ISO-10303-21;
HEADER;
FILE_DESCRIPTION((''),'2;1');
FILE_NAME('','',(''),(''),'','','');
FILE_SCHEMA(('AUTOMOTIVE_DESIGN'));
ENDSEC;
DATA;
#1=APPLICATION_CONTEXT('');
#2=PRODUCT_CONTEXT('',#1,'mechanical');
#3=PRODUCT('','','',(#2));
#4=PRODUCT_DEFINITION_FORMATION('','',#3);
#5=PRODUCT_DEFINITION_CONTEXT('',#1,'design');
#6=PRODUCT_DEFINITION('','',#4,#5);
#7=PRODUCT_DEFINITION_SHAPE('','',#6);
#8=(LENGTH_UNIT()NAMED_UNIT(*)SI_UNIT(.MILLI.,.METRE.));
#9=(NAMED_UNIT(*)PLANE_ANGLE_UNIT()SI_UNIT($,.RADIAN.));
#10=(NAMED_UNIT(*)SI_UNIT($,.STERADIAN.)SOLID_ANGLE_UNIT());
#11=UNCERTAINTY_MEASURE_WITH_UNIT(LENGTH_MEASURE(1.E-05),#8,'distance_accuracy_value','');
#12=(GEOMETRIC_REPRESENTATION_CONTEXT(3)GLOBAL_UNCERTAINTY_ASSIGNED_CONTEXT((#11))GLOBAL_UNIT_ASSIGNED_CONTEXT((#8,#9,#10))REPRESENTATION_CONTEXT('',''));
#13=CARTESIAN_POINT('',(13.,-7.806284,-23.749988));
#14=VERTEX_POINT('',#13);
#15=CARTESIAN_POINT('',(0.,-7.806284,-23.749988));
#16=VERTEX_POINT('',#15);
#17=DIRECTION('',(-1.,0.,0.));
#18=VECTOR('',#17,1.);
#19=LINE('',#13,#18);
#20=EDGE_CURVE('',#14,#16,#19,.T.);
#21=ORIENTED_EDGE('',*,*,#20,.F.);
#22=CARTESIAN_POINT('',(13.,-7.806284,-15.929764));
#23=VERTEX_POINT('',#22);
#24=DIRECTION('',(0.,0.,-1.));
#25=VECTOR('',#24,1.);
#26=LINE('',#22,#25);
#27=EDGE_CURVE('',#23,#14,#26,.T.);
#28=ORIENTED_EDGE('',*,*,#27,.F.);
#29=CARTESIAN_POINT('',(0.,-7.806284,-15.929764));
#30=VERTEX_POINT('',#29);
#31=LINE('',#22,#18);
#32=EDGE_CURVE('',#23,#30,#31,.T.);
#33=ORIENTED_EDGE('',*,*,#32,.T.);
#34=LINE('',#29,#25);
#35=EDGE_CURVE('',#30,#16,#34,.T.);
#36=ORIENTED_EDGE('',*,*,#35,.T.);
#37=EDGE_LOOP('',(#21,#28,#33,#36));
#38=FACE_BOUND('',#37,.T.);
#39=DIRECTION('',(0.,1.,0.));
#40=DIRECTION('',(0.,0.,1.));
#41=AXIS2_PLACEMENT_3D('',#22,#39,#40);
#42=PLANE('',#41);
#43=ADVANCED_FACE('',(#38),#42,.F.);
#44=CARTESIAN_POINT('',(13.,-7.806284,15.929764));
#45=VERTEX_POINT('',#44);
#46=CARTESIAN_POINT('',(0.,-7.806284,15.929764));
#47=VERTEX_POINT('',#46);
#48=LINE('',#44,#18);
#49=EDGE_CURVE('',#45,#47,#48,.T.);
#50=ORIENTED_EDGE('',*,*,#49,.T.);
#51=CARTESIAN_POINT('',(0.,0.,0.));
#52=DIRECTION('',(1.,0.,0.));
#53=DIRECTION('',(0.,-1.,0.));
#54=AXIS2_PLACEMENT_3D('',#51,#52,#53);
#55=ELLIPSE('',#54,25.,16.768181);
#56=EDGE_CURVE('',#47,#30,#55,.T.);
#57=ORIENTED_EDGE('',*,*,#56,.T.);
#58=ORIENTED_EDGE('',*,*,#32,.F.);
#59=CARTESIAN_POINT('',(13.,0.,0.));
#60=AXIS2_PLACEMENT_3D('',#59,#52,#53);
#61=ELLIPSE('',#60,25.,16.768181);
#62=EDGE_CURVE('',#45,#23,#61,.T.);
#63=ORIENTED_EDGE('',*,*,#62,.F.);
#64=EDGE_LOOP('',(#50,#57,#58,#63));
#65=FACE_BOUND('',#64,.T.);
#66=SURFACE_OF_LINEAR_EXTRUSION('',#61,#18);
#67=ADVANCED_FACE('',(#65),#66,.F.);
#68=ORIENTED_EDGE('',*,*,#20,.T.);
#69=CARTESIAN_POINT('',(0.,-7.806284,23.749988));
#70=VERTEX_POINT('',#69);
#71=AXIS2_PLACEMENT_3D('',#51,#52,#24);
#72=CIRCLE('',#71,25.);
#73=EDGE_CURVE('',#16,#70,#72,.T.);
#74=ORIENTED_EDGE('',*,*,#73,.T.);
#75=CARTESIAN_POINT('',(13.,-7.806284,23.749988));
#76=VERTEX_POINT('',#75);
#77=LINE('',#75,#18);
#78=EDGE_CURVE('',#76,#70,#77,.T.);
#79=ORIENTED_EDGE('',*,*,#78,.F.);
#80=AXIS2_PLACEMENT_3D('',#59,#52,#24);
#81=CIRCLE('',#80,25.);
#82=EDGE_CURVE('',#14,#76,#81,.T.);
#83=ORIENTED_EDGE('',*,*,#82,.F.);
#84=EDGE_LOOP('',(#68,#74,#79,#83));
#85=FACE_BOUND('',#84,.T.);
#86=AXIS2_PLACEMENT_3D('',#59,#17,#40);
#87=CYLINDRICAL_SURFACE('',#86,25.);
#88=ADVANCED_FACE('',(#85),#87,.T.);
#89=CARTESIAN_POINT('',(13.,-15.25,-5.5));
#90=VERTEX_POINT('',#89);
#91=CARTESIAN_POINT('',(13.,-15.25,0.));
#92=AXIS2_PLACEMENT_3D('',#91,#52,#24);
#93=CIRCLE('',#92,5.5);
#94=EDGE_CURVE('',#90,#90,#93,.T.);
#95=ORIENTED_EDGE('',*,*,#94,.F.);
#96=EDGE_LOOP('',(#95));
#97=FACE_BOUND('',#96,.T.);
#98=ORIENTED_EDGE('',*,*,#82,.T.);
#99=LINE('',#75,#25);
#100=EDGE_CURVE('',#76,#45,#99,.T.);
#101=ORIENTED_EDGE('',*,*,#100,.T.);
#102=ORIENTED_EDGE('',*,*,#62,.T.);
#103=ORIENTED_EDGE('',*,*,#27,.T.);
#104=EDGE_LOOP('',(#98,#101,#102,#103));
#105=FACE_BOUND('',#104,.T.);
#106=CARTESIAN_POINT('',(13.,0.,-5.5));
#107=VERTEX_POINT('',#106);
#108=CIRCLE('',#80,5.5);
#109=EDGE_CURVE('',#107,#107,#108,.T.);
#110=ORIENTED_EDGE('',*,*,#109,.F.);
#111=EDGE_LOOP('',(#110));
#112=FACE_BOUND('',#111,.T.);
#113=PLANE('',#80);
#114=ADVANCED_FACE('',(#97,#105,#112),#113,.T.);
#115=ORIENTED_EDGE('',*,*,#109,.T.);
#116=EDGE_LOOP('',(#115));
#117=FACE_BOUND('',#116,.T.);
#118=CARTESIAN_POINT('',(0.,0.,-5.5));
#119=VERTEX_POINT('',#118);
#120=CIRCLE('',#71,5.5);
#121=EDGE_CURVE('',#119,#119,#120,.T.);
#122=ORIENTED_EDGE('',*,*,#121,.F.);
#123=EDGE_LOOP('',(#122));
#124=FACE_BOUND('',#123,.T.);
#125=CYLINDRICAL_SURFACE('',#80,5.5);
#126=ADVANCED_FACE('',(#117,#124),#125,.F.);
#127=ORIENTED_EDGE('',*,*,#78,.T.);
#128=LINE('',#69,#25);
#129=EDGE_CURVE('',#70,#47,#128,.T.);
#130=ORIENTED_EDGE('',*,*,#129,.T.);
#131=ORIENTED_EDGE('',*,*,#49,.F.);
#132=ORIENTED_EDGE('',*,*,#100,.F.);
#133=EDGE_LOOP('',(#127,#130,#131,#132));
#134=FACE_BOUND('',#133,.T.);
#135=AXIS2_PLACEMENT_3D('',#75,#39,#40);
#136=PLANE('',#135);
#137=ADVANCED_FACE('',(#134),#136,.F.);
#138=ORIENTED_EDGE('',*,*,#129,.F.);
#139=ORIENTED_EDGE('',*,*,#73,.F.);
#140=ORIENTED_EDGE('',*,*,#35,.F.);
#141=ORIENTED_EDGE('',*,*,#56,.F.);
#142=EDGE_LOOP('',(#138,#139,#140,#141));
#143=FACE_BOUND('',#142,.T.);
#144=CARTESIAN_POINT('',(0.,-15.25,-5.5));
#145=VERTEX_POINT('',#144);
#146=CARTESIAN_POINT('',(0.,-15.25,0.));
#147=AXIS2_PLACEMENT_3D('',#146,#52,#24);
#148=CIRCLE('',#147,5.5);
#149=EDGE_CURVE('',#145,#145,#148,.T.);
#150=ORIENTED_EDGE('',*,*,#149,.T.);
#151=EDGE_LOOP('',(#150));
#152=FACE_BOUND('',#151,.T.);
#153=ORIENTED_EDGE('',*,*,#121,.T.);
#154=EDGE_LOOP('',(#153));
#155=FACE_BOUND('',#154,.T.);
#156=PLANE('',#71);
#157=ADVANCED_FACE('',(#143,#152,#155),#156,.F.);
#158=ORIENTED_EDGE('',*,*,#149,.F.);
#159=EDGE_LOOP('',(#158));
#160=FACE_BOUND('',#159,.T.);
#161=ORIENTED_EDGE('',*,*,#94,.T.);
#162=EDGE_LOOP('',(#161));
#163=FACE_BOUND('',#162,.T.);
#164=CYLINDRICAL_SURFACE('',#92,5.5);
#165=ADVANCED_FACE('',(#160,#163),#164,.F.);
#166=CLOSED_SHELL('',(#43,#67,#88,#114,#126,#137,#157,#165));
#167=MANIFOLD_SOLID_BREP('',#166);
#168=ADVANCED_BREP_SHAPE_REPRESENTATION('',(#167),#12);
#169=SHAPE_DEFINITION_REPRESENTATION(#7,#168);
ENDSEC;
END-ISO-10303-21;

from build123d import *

# Parameters (mm, degrees)
BOSS_EXTRUDE1_DEPTH             = 13
M10_CLEARANCE_HOLE2_D           = 11
M10_CLEARANCE_HOLE2_ON_FACE_2_D = 11
M10_CLEARANCE_HOLE1_D           = 11


with BuildPart() as part:
    # Sketch1 → Boss-Extrude1 (new body)
    with BuildSketch(Plane(origin=(0, 0, 0), x_dir=(0, 0, -1), z_dir=(1, 0, 0))):
        with BuildLine():
            Line((-23.749988068, -7.8062838), (-15.929764022, -7.8062838))
            add(Edge.make_bspline(
                [(-15.929764022, -7.8062838), (0, -80.063704579), (15.929764022, -7.8062838)],
                knots=[5.029950938, 5.029950938, 5.029950938, 7.536419676, 7.536419676, 7.536419676], degree=2, weights=[1, 0.312251352, 1]))
            Line((15.929764022, -7.8062838), (23.749988068, -7.8062838))
            ThreePointArc((23.749988068, -7.8062838), (0, 25), (-23.749988068, -7.8062838))
        make_face()
    extrude(amount=BOSS_EXTRUDE1_DEPTH)

    # M10 Clearance Hole2 (through all)
    with Locations(Plane(origin=(0, 0, 0), x_dir=(0, 0, -1), z_dir=(-1, 0, 0))):
        with Locations((0, 0)):
            Hole(M10_CLEARANCE_HOLE2_D / 2)

    # M10 Clearance Hole2 on face 2 (through all)
    with Locations(Plane(origin=(13, 0, 0), x_dir=(0, 0, 1), z_dir=(1, 0, 0))):
        with Locations((0, 0)):
            Hole(M10_CLEARANCE_HOLE2_ON_FACE_2_D / 2)

    # M10 Clearance Hole1 (through all)
    with Locations(Plane(origin=(13, -15.25, 0), x_dir=(0, 0, 1), z_dir=(1, 0, 0))):
        with Locations((0, 0)):
            Hole(M10_CLEARANCE_HOLE1_D / 2)


solid = part.part
